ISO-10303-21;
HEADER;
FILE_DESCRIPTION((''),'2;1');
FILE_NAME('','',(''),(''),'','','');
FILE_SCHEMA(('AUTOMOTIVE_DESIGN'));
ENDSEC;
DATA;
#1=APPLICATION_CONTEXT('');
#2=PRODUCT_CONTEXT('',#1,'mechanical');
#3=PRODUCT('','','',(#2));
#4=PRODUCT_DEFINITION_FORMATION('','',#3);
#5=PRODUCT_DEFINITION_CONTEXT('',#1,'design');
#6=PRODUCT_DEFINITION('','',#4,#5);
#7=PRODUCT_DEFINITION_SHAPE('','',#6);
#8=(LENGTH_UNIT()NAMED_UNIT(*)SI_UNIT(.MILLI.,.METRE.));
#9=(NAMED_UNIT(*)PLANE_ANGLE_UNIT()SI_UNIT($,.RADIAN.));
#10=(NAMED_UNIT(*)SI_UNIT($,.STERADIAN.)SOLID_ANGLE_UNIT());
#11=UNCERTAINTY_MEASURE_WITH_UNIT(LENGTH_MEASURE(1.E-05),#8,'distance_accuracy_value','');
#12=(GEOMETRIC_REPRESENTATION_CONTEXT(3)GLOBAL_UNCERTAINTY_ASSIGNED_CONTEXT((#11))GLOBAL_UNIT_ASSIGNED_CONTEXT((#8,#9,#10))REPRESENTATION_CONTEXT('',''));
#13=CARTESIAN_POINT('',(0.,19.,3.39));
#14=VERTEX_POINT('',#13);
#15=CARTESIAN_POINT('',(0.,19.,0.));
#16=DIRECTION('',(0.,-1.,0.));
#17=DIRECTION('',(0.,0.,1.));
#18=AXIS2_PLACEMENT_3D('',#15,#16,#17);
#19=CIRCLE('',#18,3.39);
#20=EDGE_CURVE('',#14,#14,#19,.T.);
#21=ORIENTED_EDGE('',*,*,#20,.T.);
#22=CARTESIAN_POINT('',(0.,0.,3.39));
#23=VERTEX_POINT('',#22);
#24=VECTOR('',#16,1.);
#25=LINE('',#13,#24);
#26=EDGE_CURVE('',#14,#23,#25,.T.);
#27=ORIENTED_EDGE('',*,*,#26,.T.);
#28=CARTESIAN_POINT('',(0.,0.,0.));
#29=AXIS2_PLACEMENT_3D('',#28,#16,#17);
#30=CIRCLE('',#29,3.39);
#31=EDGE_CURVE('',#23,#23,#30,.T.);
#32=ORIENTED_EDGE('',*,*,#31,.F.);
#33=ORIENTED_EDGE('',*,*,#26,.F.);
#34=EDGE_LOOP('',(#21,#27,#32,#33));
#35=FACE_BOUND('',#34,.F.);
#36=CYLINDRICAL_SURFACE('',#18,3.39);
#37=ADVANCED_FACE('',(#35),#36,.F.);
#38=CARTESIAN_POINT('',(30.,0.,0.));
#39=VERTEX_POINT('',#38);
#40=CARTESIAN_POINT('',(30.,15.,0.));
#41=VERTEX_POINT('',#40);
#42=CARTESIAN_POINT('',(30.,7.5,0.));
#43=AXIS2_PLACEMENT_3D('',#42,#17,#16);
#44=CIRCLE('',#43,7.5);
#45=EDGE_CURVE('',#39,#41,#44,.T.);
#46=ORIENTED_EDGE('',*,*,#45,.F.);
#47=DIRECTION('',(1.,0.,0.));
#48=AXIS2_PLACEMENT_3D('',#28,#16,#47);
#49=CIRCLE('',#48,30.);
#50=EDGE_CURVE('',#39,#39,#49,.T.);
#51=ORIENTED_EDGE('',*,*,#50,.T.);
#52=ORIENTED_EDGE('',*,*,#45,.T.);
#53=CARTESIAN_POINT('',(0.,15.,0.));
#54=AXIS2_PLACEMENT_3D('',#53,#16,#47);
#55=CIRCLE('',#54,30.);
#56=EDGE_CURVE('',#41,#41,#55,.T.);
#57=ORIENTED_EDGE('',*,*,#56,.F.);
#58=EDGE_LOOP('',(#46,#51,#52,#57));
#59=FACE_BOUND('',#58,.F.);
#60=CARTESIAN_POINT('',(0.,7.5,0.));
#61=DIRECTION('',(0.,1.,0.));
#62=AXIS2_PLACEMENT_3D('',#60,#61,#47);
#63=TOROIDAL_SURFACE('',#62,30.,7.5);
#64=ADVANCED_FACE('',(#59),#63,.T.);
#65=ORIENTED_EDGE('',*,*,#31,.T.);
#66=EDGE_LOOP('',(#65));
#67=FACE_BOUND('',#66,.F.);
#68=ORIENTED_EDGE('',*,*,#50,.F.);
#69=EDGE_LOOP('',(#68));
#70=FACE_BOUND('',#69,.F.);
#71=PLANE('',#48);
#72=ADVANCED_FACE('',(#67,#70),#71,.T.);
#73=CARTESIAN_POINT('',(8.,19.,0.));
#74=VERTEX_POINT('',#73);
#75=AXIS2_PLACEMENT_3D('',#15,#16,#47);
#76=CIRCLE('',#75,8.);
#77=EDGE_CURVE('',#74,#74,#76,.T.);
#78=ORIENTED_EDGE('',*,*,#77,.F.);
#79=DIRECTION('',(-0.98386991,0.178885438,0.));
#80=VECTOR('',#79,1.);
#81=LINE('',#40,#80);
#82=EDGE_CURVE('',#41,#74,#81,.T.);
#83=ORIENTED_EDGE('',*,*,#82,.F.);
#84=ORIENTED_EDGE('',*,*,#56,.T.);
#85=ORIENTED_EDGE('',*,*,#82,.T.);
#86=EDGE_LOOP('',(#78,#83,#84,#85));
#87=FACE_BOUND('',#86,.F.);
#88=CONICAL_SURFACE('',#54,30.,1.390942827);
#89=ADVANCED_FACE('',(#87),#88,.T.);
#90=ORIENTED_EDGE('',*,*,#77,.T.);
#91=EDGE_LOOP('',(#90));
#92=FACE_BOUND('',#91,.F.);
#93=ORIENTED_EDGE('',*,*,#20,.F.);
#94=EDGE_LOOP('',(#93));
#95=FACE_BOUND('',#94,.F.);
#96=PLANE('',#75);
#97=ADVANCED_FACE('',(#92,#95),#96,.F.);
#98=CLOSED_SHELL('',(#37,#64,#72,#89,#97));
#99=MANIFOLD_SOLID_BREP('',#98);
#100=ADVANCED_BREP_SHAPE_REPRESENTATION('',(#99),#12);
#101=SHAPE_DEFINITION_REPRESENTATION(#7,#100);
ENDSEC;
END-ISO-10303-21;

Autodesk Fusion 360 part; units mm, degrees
sketch "outline" plane through (0, 0, 0) normal (0, 0, 1) x (1, 0, 0)
  line L0 (0, 0) -> (30, 0)
  arc A0 (30, 0) -> (30, 15) centre (30, 7.5) ccw
  line L1 (30, 15) -> (8, 19)
  line L2 (8, 19) -> (0, 19)
  line L3 (0, 19) -> (0, 0)
  dimension "d1" = 30
  dimension "d2" = 15
  dimension "d3" = 19
  dimension "d4" = 8
  dimension "d5" = 7.5
revolve "Revolve1" add sketch "outline" angle 360 about axis through (0, 19, 0) along (0, -1, 0)
hole "Hole1" at (0, 19, 0) direction (0, -1, 0) diameter 6.78 end through all
